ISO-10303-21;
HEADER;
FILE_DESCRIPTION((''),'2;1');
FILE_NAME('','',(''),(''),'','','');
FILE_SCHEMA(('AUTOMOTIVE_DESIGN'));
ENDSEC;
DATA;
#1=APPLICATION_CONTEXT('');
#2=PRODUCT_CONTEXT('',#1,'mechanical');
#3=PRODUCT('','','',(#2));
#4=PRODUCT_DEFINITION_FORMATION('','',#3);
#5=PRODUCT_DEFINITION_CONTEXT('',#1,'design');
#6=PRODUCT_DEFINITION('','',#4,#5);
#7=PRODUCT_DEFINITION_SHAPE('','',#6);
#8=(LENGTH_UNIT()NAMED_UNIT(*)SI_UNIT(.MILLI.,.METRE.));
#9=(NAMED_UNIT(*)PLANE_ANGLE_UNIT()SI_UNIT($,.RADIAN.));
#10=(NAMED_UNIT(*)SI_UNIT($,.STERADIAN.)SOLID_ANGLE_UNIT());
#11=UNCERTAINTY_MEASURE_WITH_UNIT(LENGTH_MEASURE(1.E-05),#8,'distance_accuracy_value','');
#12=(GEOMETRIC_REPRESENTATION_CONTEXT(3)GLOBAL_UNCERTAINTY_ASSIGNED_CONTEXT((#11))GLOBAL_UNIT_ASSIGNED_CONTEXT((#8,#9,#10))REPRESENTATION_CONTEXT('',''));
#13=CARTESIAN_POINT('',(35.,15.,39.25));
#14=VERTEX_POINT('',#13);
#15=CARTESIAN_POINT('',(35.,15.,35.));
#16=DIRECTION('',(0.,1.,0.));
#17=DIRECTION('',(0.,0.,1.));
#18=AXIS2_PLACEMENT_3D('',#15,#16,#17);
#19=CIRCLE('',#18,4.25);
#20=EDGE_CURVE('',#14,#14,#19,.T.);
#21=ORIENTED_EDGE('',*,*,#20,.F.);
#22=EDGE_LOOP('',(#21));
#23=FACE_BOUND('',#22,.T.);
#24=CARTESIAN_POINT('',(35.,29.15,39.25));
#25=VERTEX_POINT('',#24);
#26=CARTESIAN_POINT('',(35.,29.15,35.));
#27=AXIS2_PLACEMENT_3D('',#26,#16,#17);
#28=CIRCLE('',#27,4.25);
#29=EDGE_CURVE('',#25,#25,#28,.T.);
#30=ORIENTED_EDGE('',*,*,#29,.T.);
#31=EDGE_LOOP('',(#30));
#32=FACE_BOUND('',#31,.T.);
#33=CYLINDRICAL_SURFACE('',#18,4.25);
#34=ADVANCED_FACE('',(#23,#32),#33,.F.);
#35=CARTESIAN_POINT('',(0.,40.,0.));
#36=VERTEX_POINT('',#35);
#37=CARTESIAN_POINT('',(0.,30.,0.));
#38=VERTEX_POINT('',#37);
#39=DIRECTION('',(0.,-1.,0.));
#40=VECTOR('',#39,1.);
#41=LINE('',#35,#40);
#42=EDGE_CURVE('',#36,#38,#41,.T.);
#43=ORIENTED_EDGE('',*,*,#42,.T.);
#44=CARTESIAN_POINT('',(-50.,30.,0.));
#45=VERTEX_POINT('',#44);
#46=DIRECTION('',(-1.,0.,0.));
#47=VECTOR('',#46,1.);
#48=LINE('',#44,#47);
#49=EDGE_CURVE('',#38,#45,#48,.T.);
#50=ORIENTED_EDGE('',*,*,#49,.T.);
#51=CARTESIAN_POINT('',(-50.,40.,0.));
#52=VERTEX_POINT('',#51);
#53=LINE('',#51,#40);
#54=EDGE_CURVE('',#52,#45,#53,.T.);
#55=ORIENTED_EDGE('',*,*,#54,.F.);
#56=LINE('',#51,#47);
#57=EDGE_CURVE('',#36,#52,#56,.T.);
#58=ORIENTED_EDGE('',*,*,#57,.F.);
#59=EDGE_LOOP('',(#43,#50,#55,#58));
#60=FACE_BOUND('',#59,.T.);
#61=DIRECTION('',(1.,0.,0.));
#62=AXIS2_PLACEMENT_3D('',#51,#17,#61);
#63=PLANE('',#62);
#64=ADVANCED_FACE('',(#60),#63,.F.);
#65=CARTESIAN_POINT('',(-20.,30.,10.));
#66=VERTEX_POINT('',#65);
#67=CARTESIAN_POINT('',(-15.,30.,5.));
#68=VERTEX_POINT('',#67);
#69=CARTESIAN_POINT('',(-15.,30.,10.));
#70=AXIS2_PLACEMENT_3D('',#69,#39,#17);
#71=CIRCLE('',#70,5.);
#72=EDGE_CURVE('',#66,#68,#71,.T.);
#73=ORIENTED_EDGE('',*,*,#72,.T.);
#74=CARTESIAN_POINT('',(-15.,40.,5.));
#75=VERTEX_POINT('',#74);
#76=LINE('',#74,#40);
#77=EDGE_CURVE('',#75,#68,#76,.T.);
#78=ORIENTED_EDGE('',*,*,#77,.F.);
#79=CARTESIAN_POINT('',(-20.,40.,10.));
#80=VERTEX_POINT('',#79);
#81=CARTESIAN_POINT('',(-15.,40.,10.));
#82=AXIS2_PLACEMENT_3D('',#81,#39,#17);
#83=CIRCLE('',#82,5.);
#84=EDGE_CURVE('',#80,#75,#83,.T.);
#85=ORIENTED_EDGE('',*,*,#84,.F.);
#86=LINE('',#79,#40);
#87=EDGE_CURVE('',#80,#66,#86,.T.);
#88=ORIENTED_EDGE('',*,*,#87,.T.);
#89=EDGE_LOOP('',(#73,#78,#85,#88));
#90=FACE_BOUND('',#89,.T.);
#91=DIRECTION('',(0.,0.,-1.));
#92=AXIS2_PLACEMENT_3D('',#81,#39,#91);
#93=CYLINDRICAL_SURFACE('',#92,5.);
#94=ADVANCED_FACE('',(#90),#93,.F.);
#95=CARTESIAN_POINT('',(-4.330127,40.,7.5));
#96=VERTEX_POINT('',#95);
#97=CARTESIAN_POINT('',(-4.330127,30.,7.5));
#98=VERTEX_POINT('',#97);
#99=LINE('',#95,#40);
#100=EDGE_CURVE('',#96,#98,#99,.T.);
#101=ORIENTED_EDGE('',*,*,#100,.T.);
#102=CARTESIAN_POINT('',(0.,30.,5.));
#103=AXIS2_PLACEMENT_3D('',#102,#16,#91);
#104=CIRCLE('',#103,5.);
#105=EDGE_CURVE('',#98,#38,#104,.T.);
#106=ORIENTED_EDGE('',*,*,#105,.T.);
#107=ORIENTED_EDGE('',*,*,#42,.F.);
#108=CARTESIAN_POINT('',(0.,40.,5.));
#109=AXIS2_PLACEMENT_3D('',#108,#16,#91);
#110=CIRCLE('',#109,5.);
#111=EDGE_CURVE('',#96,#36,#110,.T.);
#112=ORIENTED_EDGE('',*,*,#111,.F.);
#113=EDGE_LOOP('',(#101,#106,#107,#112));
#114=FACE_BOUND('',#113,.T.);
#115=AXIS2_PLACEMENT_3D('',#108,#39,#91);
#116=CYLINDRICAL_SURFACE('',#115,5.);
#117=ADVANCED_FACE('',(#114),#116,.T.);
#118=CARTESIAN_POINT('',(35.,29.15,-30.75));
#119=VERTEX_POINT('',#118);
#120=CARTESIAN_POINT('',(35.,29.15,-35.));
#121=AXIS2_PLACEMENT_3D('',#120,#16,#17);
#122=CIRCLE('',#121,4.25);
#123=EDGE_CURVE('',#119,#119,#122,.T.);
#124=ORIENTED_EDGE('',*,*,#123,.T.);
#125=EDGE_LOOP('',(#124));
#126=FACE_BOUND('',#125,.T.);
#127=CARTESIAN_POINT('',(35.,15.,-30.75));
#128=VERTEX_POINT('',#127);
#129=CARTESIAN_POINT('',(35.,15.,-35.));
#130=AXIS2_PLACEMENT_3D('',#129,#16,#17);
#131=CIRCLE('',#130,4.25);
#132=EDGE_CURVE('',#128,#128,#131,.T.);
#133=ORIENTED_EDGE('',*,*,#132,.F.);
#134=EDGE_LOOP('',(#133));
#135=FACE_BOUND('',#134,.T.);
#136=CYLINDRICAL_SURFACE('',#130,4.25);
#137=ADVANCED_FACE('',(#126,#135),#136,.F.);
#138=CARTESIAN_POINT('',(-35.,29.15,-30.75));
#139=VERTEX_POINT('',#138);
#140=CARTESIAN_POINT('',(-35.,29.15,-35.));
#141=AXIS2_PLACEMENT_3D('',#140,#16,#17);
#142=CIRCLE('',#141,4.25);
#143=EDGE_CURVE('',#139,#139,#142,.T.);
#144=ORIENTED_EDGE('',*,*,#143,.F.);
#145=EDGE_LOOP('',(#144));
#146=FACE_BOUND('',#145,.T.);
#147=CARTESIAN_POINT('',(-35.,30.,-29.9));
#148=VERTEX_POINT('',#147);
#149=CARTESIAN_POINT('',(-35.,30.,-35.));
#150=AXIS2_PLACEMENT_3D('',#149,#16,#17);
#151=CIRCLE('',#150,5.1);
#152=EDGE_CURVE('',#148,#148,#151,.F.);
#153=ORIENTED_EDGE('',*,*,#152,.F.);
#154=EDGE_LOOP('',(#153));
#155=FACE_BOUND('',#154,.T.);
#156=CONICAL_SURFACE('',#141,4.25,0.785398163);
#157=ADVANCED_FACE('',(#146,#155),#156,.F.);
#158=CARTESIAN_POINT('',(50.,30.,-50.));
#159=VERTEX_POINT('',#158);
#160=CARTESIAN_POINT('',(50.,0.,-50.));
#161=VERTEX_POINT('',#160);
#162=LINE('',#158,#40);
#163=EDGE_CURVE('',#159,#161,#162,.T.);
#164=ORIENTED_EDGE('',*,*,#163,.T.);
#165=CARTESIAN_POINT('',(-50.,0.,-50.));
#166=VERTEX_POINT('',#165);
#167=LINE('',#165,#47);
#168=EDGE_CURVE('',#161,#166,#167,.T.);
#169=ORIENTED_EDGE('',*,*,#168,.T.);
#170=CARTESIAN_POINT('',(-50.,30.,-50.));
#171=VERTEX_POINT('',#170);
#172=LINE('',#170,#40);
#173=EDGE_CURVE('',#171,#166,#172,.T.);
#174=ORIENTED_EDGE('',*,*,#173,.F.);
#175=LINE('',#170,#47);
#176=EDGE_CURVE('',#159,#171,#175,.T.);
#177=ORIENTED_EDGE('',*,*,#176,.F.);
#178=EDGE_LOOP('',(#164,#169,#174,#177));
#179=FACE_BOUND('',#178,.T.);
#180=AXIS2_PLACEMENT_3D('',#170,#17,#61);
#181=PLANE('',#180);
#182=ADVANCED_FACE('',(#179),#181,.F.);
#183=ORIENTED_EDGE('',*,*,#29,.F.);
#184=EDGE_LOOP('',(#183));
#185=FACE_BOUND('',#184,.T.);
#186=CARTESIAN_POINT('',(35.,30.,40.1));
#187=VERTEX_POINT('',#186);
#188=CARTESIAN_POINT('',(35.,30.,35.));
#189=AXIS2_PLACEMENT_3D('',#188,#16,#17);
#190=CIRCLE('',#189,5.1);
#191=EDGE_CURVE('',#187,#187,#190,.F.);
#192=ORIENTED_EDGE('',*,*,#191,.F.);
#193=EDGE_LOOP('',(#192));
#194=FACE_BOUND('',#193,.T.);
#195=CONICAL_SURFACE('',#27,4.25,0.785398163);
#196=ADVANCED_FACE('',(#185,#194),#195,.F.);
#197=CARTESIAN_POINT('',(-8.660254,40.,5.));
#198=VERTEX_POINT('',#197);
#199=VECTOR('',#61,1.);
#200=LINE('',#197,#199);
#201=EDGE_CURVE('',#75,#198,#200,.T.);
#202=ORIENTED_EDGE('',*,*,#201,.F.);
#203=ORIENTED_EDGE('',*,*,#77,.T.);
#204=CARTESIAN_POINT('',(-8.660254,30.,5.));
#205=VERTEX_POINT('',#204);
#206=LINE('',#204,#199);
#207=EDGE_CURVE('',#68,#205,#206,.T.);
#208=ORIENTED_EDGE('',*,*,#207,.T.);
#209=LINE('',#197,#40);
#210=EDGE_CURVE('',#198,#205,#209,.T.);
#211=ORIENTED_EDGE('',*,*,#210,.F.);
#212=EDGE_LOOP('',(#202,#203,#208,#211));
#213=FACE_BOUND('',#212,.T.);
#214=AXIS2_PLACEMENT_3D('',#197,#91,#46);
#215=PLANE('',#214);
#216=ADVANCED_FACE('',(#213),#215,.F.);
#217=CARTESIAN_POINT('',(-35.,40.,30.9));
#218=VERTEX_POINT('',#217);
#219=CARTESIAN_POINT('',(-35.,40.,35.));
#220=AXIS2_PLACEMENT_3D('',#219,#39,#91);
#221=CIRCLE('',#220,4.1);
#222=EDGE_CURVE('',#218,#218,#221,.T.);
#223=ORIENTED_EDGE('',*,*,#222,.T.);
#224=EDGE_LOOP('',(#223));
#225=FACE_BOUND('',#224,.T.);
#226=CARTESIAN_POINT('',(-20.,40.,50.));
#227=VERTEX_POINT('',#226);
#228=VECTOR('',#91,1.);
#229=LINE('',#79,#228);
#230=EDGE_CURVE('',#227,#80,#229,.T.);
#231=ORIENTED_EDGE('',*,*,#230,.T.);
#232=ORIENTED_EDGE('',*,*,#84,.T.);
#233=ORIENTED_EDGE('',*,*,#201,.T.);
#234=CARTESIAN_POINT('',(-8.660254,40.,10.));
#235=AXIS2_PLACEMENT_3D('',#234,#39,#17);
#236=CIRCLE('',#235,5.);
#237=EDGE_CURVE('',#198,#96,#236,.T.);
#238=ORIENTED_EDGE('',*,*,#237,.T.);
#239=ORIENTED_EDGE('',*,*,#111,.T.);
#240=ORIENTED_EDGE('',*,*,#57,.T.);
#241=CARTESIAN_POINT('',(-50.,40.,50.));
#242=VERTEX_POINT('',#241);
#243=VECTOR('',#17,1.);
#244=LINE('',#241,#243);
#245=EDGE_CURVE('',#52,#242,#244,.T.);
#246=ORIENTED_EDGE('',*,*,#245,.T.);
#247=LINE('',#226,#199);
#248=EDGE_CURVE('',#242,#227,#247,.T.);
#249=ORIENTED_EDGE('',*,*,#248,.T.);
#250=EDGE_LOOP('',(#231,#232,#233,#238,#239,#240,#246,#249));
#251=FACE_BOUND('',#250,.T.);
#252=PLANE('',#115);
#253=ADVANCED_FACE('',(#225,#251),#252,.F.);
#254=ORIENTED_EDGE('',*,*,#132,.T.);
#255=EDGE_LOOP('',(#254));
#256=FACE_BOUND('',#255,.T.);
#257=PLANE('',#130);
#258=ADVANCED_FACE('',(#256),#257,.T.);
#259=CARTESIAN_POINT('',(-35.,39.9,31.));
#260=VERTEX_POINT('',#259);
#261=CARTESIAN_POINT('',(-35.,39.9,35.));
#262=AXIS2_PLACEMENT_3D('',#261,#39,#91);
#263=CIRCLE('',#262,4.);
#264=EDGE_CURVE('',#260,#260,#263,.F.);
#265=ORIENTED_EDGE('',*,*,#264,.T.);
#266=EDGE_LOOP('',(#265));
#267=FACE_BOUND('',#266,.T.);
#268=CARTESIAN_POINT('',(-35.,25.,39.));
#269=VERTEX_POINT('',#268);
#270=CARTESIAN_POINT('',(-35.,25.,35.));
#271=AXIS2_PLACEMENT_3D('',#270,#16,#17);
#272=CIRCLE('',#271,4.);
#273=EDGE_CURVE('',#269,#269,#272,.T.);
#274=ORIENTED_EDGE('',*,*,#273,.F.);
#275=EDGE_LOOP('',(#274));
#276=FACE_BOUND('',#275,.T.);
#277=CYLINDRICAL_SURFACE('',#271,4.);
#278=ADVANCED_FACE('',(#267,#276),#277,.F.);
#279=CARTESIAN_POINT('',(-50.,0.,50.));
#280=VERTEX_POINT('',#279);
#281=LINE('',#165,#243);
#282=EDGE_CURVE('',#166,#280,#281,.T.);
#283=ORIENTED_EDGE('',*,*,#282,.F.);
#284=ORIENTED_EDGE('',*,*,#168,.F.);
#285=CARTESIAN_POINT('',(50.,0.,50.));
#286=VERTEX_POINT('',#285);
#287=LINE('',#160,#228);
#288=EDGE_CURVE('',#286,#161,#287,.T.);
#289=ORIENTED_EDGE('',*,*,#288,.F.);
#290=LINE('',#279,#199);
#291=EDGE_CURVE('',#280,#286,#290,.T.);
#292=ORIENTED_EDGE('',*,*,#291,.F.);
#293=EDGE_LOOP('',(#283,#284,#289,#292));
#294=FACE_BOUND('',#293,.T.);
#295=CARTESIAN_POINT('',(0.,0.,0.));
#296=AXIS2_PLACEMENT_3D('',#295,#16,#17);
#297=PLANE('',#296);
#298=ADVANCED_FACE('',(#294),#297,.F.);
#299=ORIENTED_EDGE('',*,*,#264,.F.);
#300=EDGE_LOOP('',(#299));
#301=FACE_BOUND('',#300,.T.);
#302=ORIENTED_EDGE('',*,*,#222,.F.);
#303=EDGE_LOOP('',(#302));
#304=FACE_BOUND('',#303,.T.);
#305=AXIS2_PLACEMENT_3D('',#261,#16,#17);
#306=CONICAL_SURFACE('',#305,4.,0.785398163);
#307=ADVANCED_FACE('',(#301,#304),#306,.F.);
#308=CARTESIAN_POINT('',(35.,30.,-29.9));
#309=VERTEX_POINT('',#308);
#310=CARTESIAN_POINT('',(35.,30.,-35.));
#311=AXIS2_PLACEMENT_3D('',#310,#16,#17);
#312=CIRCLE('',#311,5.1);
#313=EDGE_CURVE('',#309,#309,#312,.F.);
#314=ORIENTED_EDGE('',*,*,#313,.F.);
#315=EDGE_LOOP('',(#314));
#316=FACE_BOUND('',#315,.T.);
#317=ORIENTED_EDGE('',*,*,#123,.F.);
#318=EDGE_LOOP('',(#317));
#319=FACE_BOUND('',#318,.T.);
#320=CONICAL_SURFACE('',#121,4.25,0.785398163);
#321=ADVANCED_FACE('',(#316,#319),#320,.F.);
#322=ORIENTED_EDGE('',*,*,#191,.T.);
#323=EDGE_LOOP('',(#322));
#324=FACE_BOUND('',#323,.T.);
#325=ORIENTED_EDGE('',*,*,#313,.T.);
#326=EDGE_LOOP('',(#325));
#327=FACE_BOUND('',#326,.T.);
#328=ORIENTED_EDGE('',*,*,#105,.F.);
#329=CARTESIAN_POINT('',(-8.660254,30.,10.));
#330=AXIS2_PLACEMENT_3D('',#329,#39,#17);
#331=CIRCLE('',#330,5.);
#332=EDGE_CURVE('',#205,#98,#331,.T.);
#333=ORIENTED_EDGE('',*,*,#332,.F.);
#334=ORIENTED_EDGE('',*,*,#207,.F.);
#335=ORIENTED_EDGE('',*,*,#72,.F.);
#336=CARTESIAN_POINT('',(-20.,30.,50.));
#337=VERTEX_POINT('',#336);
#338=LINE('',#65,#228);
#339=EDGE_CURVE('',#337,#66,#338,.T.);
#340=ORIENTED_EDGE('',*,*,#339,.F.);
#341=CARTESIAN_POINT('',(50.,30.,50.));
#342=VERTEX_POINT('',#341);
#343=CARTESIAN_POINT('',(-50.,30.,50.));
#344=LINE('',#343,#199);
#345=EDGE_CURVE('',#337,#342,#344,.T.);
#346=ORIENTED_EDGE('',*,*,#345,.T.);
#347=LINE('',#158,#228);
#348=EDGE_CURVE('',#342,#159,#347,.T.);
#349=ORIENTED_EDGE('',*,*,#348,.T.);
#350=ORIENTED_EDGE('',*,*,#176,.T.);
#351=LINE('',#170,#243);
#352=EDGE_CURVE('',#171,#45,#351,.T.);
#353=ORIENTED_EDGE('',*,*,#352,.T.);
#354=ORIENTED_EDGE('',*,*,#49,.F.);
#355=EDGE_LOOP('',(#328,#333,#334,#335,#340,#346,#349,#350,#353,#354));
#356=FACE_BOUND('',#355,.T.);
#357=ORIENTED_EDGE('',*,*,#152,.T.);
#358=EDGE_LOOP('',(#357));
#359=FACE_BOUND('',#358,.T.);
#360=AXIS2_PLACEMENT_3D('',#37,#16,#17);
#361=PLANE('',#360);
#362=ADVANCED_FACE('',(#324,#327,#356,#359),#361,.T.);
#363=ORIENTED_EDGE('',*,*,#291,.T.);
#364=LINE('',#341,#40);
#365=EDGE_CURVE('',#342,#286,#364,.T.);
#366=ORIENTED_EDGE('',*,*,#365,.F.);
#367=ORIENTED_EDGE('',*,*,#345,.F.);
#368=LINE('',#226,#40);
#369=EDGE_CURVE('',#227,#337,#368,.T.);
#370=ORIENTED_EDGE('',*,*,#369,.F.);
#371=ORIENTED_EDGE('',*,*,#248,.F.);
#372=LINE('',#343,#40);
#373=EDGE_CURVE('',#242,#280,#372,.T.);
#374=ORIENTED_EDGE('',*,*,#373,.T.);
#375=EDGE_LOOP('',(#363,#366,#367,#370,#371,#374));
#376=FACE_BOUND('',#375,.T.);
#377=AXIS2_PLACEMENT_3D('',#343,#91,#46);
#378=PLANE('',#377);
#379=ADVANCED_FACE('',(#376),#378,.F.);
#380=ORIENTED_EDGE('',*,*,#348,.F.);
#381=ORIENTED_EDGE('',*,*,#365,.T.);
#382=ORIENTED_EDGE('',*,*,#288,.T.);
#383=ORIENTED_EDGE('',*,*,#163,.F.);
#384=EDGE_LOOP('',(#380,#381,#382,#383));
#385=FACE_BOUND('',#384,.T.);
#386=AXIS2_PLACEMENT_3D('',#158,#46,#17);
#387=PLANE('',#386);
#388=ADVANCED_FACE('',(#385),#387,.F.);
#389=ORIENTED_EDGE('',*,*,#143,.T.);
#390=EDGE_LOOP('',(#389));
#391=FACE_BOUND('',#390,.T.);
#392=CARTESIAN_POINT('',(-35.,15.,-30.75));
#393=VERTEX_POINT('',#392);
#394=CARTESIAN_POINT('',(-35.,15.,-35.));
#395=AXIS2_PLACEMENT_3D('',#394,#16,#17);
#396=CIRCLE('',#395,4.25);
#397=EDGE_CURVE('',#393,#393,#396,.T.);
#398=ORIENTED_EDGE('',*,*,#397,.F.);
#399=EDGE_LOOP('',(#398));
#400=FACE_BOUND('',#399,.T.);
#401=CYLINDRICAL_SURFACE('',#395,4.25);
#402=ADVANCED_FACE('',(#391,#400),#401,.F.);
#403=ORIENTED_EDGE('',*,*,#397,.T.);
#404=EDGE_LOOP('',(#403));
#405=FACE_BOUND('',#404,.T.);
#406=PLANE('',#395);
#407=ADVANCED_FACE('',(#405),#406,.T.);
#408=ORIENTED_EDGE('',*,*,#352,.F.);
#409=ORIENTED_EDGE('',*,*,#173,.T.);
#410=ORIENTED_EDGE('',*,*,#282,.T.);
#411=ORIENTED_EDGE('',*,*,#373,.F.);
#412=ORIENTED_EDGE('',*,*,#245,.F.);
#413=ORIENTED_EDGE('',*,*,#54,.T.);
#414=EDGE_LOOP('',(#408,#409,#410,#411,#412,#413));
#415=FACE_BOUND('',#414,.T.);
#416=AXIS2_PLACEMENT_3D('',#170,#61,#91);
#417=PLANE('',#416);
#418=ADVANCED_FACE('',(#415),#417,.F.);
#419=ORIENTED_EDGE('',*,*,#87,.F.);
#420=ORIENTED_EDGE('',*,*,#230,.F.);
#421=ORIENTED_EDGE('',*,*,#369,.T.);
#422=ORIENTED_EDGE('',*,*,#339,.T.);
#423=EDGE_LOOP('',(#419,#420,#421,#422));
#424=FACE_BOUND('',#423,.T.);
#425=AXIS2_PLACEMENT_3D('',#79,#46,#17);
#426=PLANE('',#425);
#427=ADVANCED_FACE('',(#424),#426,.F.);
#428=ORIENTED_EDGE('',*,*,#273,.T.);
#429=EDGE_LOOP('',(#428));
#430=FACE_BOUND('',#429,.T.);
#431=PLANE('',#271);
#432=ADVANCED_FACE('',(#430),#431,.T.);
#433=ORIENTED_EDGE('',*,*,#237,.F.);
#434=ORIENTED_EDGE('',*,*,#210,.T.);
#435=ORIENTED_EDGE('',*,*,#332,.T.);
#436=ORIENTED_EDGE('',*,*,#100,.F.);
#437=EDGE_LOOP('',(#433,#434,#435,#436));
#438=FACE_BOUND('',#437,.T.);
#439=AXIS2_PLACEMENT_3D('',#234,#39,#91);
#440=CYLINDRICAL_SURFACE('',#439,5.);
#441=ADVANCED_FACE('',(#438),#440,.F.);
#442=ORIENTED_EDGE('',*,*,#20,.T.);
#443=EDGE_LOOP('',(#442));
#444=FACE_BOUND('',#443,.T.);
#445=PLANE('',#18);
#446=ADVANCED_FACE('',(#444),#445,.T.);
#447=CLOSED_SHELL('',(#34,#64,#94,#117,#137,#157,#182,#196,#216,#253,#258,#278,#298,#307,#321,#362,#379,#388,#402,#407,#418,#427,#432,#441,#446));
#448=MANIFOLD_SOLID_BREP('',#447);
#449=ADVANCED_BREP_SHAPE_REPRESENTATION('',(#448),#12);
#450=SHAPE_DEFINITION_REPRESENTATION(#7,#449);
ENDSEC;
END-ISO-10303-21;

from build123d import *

# Parameters (mm, degrees)
SKETCH2_W           = 100
SKETCH2_H           = 100
BOSS_EXTRUDE1_DEPTH = 30
BOSS_EXTRUDE2_DEPTH = 10
SKETCH5_R           = 4.25
CUT_EXTRUDE1_DEPTH  = 15
CHAMFER1_SIZE       = 0.85
SKETCH7_R           = 4
CUT_EXTRUDE2_DEPTH  = 15
CHAMFER2_SIZE       = 0.1


with BuildPart() as part:
    # Sketch2 → Boss-Extrude1 (new body)
    with BuildSketch(Plane(origin=(0, 0, 0), x_dir=(1, 0, 0), z_dir=(0, 1, 0))):
        Rectangle(SKETCH2_W, SKETCH2_H)
    extrude(amount=BOSS_EXTRUDE1_DEPTH)

    # Sketch4 → Boss-Extrude2 (add)
    with BuildSketch(Plane(origin=(0, 30, 0), x_dir=(1, 0, 0), z_dir=(0, 1, 0))):
        with BuildLine():
            Line((-50, -50), (-50, 0))
            Line((-50, 0), (0, 0))
            ThreePointArc((0, 0), (4.330127019, -7.5), (-4.330127019, -7.5))
            ThreePointArc((-4.330127019, -7.5), (-6.160254038, -5.669872981), (-8.660254038, -5))
            Line((-8.660254038, -5), (-15, -5))
            ThreePointArc((-15, -5), (-18.535533906, -6.464466094), (-20, -10))
            Line((-20, -10), (-20, -50))
            Line((-20, -50), (-50, -50))
        make_face()
    extrude(amount=BOSS_EXTRUDE2_DEPTH)

    # Sketch5 → Cut-Extrude1 (cut)
    with BuildSketch(Plane(origin=(0, 30, 0), x_dir=(1, 0, 0), z_dir=(0, 1, 0))):
        with Locations(Location((35, 35, 0), (0, 0, 270))):
            Circle(SKETCH5_R)
        with Locations(Location((-35, 35, 0), (0, 0, 270))):
            Circle(SKETCH5_R)
        with Locations(Location((35, -35, 0), (0, 0, 270))):
            Circle(SKETCH5_R)
    extrude(amount=-CUT_EXTRUDE1_DEPTH, mode=Mode.SUBTRACT)

    # Chamfer1
    chamfer1_edges = [part.edges().sort_by_distance(p)[0] for p in [
        (35, 30, 30.75),
        (-35, 30, -39.25),
        (35, 30, -39.25),
    ]]
    chamfer(chamfer1_edges, length=CHAMFER1_SIZE)

    # Sketch7 → Cut-Extrude2 (cut)
    with BuildSketch(Plane(origin=(0, 40, 0), x_dir=(1, 0, 0), z_dir=(0, 1, 0))):
        with Locations(Location((-35, -35, 0), (0, 0, 270))):
            Circle(SKETCH7_R)
    extrude(amount=-CUT_EXTRUDE2_DEPTH, mode=Mode.SUBTRACT)

    # Chamfer2
    chamfer2_edges = [part.edges().sort_by_distance(p)[0] for p in [
        (-35, 40, 31),
    ]]
    chamfer(chamfer2_edges, length=CHAMFER2_SIZE)


solid = part.part
